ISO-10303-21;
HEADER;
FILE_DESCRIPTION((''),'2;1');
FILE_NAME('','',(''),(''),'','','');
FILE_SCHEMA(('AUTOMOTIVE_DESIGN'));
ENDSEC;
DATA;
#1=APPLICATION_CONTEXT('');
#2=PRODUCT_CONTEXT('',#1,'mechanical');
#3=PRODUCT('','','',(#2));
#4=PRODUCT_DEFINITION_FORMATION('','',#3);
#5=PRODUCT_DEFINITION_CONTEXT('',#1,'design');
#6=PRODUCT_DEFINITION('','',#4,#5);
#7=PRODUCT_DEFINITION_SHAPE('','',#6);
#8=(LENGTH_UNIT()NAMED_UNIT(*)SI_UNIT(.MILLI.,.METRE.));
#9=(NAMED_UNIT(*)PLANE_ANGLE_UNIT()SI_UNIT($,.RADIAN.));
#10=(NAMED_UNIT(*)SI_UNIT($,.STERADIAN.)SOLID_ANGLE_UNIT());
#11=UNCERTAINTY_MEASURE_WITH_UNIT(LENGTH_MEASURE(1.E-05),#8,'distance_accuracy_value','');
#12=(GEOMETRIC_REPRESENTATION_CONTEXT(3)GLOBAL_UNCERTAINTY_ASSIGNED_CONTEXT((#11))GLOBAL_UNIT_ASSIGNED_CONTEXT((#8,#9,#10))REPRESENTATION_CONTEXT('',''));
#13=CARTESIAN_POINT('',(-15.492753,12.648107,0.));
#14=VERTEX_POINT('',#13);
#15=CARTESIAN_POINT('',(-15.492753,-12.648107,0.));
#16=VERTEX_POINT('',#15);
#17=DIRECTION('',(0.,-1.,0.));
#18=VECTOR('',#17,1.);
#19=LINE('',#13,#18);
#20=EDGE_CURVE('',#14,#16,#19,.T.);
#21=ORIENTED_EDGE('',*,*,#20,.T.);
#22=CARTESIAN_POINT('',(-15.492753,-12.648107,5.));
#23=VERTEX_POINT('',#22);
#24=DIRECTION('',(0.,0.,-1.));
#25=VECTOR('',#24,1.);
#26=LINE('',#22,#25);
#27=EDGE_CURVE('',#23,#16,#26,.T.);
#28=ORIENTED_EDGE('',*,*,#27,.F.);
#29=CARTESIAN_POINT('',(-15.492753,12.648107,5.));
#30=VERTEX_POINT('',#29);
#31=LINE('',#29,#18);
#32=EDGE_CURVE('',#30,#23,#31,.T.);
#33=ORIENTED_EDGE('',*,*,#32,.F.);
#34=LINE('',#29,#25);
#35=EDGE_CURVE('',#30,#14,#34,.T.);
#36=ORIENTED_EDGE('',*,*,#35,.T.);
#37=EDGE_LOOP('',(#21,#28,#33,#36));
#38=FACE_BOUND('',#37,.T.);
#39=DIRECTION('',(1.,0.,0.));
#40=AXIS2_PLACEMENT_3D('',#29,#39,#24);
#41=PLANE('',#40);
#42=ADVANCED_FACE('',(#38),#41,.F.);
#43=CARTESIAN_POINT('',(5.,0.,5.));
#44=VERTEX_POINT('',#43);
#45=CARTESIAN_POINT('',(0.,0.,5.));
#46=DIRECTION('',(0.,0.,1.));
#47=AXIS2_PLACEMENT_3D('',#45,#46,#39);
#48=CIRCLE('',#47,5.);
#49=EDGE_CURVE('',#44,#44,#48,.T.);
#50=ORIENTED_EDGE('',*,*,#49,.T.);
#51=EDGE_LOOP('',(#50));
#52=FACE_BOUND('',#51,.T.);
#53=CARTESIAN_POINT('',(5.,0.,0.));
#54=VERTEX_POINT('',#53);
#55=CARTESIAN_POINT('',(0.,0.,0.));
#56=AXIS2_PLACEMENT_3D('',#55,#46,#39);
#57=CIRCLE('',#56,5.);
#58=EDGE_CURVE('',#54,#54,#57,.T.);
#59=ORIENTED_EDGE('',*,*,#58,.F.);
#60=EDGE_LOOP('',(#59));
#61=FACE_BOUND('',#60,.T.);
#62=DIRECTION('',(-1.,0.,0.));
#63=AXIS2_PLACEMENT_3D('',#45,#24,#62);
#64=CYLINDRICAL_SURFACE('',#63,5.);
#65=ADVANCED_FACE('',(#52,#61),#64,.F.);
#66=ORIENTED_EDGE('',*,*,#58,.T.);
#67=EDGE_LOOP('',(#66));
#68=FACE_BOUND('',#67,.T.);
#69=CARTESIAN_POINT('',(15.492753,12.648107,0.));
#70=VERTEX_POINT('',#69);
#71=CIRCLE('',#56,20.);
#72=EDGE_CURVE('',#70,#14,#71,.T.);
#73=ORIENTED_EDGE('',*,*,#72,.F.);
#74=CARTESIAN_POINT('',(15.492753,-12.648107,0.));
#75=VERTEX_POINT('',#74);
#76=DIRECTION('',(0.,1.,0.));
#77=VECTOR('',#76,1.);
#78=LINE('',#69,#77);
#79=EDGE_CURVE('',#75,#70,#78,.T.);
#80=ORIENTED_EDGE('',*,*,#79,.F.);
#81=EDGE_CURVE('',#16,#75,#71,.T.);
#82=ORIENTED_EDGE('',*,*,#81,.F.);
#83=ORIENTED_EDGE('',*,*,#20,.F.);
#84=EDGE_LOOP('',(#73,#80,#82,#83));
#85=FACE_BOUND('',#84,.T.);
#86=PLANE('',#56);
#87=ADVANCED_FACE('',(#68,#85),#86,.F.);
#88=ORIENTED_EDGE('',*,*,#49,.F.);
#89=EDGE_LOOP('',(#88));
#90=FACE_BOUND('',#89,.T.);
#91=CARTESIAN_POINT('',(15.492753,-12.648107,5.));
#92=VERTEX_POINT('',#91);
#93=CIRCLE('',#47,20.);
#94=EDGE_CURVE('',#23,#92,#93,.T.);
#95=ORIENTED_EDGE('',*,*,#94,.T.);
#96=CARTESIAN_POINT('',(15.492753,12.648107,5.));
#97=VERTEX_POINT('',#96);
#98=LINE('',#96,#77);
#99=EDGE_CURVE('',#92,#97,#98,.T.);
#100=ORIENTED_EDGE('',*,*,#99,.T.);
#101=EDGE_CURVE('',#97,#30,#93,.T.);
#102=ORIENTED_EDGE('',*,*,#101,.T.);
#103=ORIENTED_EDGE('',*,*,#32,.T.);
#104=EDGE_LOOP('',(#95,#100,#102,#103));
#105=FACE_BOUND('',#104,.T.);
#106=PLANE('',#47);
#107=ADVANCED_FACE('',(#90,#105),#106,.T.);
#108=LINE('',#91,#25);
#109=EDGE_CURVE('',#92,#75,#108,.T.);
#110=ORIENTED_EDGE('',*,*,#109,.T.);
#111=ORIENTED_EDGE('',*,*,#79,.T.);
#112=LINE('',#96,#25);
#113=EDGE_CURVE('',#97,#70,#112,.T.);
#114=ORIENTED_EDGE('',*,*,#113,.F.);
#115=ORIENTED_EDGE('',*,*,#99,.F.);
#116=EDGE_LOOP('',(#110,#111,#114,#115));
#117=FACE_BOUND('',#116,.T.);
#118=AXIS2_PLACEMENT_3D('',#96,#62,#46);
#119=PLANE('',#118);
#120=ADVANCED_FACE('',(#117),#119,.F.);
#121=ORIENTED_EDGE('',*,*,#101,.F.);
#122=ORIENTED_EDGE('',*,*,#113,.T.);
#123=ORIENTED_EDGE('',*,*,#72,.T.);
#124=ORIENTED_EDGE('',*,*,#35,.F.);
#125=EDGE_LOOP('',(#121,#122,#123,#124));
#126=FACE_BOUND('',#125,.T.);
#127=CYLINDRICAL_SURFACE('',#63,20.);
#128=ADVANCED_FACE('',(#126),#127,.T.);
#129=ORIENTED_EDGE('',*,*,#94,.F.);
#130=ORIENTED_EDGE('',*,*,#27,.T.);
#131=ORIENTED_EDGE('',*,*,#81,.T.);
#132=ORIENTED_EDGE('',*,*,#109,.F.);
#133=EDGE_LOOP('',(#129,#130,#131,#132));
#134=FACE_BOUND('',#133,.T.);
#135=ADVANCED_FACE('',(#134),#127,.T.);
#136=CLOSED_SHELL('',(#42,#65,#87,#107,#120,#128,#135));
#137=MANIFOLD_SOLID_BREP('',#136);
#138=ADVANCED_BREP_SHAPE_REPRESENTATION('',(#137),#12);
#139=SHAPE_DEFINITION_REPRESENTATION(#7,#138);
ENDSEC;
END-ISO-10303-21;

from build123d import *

# Parameters (mm, degrees)
SKETCH1_R           = 5
BOSS_EXTRUDE1_DEPTH = 5


with BuildPart() as part:
    # Sketch1 → Boss-Extrude1 (new body)
    with BuildSketch(Plane.XY):
        with BuildLine():
            Line((-15.492752905, 12.648106871), (-15.492752905, -12.648106871))
            ThreePointArc((-15.492752905, -12.648106871), (0, -20), (15.492752905, -12.648106871))
            Line((15.492752905, -12.648106871), (15.492752905, 12.648106871))
            ThreePointArc((15.492752905, 12.648106871), (0, 20), (-15.492752905, 12.648106871))
        make_face()
        Circle(SKETCH1_R, mode=Mode.SUBTRACT)
    extrude(amount=BOSS_EXTRUDE1_DEPTH)


solid = part.part
